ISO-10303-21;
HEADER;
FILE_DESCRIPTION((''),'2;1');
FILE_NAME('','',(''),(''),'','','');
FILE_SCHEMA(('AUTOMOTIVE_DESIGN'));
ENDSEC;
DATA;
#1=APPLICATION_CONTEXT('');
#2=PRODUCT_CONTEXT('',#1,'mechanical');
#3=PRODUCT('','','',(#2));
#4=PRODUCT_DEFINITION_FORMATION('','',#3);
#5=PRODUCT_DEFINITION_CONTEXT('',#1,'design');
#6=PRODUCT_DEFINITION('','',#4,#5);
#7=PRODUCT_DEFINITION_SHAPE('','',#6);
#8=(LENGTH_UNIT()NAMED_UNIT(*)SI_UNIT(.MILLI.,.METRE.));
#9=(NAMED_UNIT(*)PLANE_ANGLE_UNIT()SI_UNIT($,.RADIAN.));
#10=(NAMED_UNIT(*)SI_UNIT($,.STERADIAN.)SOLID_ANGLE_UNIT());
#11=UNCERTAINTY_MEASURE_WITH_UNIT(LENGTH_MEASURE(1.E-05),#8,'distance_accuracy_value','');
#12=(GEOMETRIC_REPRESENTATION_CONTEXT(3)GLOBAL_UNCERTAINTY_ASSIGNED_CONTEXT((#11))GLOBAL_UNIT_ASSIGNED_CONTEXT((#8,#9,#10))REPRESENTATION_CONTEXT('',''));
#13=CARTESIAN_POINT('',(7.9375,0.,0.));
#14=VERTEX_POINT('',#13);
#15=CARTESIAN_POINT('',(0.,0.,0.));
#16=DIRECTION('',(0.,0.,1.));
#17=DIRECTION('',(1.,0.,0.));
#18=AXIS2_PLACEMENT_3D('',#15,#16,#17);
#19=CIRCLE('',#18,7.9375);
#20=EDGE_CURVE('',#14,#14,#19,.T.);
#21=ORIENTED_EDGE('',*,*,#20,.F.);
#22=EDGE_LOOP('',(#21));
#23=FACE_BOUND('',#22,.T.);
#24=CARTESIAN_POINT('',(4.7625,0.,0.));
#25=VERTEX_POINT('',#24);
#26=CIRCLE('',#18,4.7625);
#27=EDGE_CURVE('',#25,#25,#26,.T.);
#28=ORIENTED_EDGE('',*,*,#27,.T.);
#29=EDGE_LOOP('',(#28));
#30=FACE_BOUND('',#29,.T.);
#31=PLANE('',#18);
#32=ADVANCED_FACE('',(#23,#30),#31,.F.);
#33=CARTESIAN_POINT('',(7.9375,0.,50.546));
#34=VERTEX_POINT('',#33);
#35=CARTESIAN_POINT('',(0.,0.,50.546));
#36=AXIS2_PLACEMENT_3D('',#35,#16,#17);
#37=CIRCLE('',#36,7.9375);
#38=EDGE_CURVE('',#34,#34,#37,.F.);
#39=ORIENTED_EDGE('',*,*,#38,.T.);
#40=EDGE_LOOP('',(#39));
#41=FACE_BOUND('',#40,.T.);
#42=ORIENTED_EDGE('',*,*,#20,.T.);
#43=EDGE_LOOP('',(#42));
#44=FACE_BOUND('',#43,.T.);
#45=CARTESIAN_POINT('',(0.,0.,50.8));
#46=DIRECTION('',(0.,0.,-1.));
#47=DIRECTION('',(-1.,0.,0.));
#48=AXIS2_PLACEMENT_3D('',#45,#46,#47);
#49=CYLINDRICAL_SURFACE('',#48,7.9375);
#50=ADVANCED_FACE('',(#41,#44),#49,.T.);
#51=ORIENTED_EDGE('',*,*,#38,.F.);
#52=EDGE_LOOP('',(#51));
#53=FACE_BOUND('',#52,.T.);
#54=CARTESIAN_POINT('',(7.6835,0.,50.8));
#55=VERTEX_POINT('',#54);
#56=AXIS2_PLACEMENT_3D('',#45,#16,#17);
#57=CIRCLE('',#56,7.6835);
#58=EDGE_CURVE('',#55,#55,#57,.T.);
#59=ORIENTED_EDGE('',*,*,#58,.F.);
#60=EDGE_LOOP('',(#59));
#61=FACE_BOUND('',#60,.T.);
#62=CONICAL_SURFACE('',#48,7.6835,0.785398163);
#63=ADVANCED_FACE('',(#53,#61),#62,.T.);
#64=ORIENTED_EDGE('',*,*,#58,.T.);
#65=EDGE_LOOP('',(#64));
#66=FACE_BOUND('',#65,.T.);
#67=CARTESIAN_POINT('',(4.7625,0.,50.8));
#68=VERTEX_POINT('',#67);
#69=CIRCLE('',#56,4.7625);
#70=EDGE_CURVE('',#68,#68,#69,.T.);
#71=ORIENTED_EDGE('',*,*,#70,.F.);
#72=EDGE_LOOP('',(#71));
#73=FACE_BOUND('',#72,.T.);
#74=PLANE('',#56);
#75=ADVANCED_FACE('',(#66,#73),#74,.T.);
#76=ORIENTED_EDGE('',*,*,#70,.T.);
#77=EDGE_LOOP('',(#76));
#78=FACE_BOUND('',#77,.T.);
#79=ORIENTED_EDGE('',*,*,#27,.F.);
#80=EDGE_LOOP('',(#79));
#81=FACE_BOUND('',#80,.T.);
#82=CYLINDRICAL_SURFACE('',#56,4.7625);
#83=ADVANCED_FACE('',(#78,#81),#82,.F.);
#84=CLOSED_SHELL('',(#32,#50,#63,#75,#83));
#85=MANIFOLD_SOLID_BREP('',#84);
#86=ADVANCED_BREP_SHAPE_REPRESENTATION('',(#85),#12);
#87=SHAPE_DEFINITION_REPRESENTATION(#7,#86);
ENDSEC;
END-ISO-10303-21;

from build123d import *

# Parameters (mm, degrees)
SKETCH1_R                   = 7.9375
BOSS_EXTRUDE1_DEPTH         = 50.8
CHAMFER1_SIZE               = 0.254
F_5_16_0_3125_DOWEL_HOLE1_D = 9.525


with BuildPart() as part:
    # Sketch1 → Boss-Extrude1 (new body)
    with BuildSketch(Plane.XY):
        Circle(SKETCH1_R)
    extrude(amount=BOSS_EXTRUDE1_DEPTH)

    # Chamfer1
    chamfer1_edges = [part.edges().sort_by_distance(p)[0] for p in [
        (-7.9375, 0, 50.8),
    ]]
    chamfer(chamfer1_edges, length=CHAMFER1_SIZE)

    # 5/16 (0.3125) Dowel Hole1 (through all)
    with Locations(Plane.XY.offset(50.8)):
        with Locations((0, 0)):
            Hole(F_5_16_0_3125_DOWEL_HOLE1_D / 2)


solid = part.part
